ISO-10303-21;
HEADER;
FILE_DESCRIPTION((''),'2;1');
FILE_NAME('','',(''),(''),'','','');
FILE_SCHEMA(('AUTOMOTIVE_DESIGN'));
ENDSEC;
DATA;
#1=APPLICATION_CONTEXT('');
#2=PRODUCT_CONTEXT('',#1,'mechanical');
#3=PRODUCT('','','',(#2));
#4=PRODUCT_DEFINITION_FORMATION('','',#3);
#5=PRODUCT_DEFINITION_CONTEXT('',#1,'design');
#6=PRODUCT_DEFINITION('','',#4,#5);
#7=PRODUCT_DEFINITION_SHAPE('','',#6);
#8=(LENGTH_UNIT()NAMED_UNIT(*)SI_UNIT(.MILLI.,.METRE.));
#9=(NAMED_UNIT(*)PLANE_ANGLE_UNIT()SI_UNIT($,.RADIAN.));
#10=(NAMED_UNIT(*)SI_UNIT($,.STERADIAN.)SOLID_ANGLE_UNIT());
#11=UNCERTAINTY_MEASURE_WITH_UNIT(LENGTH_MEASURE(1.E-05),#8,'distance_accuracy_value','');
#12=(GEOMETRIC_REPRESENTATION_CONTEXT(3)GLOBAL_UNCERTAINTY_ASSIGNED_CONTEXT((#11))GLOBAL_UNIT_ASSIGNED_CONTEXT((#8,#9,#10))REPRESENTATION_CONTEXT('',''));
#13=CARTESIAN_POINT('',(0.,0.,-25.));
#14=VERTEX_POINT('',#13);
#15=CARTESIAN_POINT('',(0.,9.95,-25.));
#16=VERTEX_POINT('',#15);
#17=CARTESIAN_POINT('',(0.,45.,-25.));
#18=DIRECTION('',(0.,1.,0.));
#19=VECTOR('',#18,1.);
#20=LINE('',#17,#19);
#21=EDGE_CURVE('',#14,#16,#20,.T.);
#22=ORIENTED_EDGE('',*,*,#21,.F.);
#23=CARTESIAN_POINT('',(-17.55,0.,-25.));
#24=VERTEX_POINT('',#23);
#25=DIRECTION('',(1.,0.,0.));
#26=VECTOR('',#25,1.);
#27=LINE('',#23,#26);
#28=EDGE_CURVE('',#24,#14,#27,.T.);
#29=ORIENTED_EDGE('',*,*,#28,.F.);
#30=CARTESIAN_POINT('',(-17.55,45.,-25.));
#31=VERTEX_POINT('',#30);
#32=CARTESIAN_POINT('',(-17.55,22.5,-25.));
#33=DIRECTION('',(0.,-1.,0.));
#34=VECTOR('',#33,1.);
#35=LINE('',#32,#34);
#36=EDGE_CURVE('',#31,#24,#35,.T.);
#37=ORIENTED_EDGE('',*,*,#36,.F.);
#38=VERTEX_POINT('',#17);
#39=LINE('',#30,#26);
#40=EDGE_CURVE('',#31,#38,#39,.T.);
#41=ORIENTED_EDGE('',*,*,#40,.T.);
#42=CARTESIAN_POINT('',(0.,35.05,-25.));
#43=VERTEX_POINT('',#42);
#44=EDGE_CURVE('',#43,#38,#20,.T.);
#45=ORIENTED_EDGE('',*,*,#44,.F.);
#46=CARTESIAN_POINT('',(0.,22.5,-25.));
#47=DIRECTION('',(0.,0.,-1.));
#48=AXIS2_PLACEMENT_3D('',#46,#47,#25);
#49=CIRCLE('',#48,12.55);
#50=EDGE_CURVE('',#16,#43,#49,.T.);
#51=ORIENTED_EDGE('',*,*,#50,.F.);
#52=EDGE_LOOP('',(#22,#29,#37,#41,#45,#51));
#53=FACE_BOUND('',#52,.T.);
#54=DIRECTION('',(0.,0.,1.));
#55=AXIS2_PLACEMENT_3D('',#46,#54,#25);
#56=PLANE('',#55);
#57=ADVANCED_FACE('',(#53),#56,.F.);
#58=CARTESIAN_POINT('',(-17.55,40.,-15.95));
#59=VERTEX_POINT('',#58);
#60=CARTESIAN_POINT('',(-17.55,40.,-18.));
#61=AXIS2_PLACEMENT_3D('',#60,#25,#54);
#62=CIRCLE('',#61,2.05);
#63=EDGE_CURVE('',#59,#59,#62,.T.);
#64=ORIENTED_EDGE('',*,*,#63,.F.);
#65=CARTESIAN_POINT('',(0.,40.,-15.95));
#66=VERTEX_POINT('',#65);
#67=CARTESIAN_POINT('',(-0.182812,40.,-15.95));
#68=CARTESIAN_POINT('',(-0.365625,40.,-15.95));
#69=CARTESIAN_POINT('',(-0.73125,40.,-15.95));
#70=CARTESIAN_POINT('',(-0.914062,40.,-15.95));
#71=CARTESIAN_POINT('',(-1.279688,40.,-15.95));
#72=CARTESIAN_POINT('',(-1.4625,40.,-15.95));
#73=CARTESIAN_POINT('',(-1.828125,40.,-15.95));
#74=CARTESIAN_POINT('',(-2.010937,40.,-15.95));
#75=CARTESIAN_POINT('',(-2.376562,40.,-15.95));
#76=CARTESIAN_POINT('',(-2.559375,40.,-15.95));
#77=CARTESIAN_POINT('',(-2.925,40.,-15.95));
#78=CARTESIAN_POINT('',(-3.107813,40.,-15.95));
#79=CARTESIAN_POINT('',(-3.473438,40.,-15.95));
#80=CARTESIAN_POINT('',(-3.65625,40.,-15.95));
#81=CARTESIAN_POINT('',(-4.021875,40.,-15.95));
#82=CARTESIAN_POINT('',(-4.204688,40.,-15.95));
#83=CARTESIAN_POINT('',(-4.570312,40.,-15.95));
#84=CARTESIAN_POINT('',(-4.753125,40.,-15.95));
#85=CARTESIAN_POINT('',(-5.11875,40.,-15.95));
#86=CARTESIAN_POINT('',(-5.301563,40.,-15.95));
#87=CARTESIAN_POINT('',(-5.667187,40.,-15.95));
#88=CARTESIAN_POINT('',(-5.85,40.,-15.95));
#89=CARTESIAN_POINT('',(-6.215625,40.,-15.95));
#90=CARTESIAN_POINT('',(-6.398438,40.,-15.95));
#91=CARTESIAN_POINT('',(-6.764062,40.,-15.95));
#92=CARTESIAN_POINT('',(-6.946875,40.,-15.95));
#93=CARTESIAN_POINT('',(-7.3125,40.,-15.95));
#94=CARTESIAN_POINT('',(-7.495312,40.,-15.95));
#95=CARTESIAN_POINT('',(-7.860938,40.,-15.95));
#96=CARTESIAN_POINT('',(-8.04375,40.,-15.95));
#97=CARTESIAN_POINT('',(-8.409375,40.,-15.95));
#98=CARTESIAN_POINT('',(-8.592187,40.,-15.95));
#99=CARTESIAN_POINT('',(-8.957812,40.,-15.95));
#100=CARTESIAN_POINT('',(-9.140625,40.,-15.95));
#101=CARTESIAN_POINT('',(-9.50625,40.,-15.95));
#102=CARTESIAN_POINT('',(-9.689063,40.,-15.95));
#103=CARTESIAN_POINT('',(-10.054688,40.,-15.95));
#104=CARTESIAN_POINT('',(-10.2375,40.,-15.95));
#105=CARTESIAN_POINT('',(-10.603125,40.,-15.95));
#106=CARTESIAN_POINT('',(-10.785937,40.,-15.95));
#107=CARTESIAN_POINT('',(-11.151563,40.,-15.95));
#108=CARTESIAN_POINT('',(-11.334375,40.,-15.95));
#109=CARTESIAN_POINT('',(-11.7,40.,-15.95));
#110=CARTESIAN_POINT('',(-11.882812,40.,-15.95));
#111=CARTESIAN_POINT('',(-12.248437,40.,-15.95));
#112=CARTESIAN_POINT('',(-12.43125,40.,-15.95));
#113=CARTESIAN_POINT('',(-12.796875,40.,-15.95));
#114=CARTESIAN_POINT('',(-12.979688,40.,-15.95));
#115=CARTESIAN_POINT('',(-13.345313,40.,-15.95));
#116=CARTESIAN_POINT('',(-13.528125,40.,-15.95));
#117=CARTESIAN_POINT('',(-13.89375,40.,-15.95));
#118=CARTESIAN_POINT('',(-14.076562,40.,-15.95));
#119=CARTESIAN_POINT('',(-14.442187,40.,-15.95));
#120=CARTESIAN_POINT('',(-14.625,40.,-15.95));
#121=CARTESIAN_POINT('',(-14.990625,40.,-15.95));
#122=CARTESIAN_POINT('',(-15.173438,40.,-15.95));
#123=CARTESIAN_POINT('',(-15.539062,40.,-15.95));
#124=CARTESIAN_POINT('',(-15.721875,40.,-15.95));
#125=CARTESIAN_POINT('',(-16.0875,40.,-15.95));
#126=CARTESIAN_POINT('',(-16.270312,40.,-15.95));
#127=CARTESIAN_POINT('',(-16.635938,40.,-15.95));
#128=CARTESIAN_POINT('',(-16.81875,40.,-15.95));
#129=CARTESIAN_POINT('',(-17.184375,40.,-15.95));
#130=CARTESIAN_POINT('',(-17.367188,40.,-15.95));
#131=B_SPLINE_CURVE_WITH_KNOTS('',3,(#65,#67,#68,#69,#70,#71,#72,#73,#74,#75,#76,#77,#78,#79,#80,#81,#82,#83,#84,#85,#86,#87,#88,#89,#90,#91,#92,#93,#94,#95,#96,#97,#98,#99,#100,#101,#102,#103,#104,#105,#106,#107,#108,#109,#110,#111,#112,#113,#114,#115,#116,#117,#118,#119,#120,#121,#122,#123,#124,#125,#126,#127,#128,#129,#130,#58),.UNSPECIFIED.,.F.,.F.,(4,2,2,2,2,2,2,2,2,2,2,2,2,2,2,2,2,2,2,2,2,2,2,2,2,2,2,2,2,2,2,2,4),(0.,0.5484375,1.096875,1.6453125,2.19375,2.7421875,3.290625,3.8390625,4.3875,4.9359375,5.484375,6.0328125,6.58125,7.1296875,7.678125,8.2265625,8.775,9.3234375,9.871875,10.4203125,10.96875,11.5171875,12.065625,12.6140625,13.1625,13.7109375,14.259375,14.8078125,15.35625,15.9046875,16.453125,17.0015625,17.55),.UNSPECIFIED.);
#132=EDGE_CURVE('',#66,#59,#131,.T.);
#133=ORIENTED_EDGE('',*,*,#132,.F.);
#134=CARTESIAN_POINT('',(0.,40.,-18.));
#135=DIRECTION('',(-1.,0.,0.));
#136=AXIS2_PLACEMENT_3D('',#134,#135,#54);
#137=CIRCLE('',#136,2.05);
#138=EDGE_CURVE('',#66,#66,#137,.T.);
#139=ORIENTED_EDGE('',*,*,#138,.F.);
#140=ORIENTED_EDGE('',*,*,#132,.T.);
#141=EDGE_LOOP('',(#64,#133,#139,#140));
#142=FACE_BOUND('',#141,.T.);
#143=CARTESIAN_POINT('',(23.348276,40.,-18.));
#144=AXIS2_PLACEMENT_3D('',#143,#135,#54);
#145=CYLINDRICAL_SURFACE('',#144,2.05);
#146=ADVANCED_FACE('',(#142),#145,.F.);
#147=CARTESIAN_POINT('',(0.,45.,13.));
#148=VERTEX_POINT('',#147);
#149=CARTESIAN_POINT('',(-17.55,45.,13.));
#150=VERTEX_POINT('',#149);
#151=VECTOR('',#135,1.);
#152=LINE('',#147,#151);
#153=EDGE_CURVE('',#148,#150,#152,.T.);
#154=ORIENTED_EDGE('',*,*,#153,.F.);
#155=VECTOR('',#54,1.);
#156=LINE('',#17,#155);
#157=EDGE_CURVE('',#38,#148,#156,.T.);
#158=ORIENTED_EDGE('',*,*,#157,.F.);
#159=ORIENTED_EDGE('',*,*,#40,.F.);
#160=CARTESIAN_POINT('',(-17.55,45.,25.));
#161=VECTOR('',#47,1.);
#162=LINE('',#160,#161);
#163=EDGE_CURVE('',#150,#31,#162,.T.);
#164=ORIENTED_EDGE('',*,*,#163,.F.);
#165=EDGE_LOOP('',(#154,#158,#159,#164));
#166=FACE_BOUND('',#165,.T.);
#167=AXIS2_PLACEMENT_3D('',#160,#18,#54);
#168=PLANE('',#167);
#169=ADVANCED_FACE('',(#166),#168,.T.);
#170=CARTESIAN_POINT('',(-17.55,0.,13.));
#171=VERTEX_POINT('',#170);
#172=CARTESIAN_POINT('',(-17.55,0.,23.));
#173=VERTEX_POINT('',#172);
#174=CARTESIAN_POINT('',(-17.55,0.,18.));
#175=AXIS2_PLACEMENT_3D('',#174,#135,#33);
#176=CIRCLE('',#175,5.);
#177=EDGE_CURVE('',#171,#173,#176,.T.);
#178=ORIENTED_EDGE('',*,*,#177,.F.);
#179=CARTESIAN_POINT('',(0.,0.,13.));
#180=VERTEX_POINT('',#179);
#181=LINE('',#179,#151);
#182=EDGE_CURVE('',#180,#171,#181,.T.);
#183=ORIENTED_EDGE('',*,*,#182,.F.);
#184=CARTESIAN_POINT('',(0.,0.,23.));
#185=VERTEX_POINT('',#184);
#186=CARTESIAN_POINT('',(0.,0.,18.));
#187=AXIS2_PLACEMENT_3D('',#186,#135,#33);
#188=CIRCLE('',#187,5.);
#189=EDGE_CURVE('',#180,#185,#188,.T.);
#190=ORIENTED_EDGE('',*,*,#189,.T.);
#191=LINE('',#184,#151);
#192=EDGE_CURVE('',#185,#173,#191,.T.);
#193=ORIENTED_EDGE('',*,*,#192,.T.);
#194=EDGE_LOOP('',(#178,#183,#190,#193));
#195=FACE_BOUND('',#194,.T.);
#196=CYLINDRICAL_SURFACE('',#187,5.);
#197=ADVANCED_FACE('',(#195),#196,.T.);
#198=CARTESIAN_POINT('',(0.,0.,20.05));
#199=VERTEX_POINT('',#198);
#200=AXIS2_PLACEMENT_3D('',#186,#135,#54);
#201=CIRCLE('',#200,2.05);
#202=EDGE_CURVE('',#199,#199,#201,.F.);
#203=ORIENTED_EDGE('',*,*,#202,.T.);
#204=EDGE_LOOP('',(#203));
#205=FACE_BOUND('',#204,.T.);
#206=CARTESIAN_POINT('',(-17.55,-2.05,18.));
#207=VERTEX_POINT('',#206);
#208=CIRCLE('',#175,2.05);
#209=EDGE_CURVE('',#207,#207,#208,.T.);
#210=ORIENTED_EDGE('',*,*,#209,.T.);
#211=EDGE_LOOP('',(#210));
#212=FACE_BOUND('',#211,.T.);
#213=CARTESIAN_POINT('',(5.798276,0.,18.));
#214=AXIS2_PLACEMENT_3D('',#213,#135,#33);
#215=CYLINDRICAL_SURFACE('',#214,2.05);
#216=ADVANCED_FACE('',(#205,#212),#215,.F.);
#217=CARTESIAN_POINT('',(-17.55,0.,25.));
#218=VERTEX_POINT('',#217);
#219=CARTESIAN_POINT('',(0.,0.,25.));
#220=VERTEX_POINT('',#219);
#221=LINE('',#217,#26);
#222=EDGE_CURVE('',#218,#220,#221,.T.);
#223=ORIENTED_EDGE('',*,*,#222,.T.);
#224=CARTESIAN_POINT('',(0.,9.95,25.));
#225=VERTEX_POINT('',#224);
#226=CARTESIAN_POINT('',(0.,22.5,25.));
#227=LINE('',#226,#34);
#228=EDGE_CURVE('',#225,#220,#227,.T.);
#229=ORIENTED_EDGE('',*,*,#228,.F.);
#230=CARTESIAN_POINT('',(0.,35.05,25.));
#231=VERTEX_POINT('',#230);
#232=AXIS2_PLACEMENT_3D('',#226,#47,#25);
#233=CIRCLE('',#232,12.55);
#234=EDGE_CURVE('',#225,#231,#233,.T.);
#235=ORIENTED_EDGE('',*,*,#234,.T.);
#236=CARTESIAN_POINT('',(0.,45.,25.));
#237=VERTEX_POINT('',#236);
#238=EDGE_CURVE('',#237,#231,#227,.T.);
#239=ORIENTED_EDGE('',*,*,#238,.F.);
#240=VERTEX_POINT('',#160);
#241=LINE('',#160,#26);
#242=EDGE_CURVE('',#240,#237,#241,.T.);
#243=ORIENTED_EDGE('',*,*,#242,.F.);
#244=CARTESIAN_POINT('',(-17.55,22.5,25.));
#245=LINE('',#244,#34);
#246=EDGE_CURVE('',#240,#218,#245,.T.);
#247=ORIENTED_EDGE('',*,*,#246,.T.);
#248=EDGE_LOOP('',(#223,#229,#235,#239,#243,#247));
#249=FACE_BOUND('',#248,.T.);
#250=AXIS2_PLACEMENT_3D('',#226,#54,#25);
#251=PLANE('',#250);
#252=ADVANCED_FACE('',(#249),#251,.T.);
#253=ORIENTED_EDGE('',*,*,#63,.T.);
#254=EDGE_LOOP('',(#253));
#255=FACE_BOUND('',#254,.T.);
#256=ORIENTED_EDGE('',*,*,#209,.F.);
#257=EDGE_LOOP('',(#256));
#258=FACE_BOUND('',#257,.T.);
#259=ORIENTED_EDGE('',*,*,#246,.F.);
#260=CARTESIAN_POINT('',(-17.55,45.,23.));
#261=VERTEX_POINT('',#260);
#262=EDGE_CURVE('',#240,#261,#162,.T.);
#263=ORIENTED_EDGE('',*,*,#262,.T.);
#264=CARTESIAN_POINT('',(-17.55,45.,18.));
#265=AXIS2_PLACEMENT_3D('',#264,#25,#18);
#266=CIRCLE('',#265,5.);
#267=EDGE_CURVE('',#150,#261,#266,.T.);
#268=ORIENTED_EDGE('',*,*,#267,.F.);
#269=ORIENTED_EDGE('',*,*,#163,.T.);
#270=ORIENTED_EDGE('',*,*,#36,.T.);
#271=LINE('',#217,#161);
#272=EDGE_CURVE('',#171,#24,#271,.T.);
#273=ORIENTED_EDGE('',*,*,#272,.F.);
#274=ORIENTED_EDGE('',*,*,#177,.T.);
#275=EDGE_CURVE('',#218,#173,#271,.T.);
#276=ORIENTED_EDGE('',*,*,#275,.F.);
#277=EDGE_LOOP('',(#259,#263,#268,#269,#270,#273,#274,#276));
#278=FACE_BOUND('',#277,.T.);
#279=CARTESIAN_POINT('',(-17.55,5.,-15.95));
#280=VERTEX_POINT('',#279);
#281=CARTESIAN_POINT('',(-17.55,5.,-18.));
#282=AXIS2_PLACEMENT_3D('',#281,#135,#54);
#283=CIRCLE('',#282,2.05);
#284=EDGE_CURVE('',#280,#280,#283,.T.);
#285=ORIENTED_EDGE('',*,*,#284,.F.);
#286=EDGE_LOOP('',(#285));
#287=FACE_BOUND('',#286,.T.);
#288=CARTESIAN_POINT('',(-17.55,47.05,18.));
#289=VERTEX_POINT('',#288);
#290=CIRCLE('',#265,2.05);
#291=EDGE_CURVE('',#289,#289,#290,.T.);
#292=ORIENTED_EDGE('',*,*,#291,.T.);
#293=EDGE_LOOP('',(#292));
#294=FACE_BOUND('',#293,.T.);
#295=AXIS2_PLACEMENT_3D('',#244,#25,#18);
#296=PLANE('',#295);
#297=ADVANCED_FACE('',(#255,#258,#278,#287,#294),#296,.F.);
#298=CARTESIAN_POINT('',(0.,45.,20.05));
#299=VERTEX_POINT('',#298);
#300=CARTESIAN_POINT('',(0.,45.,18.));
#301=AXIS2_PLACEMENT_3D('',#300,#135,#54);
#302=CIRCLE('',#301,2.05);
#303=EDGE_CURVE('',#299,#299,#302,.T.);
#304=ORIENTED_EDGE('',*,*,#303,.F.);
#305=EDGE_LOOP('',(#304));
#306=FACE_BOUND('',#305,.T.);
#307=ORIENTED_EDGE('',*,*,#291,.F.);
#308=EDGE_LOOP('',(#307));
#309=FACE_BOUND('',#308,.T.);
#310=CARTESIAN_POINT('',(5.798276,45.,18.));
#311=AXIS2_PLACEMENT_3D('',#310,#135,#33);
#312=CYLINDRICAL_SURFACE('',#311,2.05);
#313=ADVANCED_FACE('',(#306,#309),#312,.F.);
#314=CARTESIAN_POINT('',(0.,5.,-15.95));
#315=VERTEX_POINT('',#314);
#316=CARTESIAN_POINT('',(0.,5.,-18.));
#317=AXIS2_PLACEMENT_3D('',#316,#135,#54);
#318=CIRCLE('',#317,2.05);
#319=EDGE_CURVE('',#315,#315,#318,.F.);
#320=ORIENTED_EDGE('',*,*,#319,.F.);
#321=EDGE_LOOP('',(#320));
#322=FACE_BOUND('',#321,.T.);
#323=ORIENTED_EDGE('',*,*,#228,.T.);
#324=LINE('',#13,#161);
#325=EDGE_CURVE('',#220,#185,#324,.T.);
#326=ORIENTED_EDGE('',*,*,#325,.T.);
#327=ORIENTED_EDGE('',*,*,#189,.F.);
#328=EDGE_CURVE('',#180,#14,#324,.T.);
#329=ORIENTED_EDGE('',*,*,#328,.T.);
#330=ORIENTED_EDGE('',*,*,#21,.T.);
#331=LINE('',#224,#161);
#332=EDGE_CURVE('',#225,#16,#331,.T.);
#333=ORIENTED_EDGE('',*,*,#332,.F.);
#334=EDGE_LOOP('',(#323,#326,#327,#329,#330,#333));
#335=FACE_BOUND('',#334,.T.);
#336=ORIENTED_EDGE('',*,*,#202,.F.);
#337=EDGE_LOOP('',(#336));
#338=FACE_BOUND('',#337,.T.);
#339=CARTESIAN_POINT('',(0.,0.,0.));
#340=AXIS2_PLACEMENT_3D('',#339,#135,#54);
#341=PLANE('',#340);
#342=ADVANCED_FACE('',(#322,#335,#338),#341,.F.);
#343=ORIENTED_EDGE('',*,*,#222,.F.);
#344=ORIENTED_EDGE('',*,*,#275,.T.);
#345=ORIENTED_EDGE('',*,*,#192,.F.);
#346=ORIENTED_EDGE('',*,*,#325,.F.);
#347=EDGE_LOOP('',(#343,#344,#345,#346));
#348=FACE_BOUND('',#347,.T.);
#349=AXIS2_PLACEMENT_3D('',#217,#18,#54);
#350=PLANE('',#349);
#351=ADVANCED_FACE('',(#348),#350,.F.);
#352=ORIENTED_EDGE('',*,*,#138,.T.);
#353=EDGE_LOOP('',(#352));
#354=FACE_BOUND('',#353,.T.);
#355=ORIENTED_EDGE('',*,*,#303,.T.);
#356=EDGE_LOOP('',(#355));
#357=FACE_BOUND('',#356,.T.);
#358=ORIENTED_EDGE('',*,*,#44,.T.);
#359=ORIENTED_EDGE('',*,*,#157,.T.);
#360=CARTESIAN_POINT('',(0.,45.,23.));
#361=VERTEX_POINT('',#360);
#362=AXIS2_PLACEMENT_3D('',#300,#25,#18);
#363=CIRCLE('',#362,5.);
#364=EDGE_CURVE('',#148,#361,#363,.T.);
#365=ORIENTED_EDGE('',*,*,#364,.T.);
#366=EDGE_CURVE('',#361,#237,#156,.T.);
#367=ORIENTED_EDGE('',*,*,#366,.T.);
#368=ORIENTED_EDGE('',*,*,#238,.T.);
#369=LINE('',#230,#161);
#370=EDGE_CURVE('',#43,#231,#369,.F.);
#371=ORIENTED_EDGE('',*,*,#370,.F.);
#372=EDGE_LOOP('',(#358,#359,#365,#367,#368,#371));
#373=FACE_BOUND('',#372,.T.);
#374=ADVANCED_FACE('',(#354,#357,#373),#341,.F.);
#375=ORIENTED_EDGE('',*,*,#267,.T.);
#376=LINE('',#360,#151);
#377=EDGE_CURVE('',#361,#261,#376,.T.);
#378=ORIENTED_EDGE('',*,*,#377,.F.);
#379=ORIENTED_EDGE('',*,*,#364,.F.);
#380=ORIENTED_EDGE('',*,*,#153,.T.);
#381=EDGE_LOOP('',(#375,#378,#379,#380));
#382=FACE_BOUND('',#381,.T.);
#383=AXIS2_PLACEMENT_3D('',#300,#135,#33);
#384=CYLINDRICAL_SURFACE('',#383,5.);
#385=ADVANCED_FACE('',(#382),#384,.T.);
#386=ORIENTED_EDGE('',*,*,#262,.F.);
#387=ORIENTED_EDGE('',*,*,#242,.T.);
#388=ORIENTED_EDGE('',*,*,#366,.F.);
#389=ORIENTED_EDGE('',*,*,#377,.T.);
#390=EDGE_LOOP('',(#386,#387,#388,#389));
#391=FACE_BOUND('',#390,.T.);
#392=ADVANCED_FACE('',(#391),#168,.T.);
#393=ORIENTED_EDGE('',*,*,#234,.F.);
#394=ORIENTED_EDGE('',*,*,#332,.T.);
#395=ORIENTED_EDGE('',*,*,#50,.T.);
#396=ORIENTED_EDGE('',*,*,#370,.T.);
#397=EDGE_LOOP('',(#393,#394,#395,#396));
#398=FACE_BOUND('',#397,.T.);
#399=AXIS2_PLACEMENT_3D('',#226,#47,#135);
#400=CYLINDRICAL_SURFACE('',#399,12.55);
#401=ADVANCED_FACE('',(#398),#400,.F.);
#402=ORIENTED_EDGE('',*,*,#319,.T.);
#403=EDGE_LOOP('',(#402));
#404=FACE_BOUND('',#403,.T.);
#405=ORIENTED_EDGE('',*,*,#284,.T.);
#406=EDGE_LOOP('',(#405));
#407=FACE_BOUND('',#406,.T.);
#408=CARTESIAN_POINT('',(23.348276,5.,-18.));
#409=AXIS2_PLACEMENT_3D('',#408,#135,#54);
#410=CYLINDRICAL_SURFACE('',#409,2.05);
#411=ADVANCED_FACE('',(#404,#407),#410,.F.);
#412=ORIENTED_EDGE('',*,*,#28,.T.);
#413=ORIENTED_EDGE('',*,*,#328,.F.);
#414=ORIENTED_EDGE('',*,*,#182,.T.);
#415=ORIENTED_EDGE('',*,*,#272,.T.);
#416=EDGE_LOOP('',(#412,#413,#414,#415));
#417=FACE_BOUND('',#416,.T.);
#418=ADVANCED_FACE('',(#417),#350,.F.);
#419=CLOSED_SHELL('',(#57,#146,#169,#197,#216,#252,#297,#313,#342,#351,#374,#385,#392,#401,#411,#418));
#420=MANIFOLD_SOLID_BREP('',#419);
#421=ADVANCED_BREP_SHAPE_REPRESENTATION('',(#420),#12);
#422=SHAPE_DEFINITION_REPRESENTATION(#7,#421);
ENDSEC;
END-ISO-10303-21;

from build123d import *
from build123d.topology import SkipClean

# Parameters (mm, degrees)
BOSS_EXTRUDE1_DEPTH             = 25
BOSS_EXTRUDE2_REACH             = 65.436
BOSS_EXTRUDE2_DIRECTION_2_DEPTH = 30
SKETCH9_R                       = 2.05
CUT_EXTRUDE3_DEPTH              = 35.1
BOSS_EXTRUDE5_REACH             = 63.632
SKETCH13_R                      = 1.55
CUT_EXTRUDE4_DEPTH              = 88.768186926
SKETCH16_W                      = 63
SKETCH16_H                      = 45
CUT_EXTRUDE5_DEPTH              = 65.271143
BOSS_EXTRUDE6_DEPTH             = 17.55
SKETCH18_R                      = 2.05
CUT_EXTRUDE6_DEPTH              = 17.55


with BuildPart() as part:
    # Sketch1 → Boss-Extrude1 (new, symmetric)
    with BuildSketch(Plane.XY):
        with BuildLine():
            Line((-17.55, 22.5), (-17.55, 0))
            Line((-17.55, 0), (17.55, 0))
            Line((17.55, 0), (17.55, 22.5))
            Line((17.55, 22.5), (12.55, 22.5))
            ThreePointArc((12.55, 22.5), (0, 9.95), (-12.55, 22.5))
            Line((-12.55, 22.5), (-17.55, 22.5))
        make_face()
    boss_extrude1 = extrude(amount=BOSS_EXTRUDE1_DEPTH, both=True)

    # Boss-Extrude2: up to this face of the body (flat: up to its plane)
    boss_extrude2_end = Plane(part.part.faces().sort_by_distance((17.55, 11.25, 0))[0])
    # Sketch5 → Boss-Extrude2 (add, up to the picked face)
    with BuildSketch(Plane(origin=(26.152881057, 0, 15.099372918), x_dir=(0.500000000000001, 0, -0.8660254037844382), z_dir=(0.8660254037844382, 0, 0.500000000000001)), mode=Mode.PRIVATE) as boss_extrude2_sk1:
        with BuildLine():
            Line((-8.725, 22.5), (-3.775, 22.5))
            ThreePointArc((-3.775, 22.5), (8.775, 9.95), (21.325, 22.5))
            Line((21.325, 22.5), (26.275, 22.5))
            ThreePointArc((26.275, 22.5), (8.775, 5), (-8.725, 22.5))
        make_face()
    boss_extrude2_tool1 = split(extrude(boss_extrude2_sk1.sketch, amount=-BOSS_EXTRUDE2_REACH, mode=Mode.PRIVATE), bisect_by=boss_extrude2_end, keep=Keep.BOTH, mode=Mode.PRIVATE)
    boss_extrude2 = boss_extrude2_tool1.solids().sort_by(Axis((23.027881, 22.108688, 20.512032), (-0.8660254037844382, 0, -0.500000000000001)))[0]
    add(boss_extrude2)

    # Sketch5 → Boss-Extrude2 direction 2 (add)
    with BuildSketch(Plane(origin=(26.152881057, 0, 15.099372918), x_dir=(0.500000000000001, 0, -0.8660254037844382), z_dir=(0.8660254037844382, 0, 0.500000000000001))):
        with BuildLine():
            Line((-8.725, 22.5), (-3.775, 22.5))
            ThreePointArc((-3.775, 22.5), (8.775, 9.95), (21.325, 22.5))
            Line((21.325, 22.5), (26.275, 22.5))
            ThreePointArc((26.275, 22.5), (8.775, 5), (-8.725, 22.5))
        make_face()
    boss_extrude2_direction_2 = extrude(amount=BOSS_EXTRUDE2_DIRECTION_2_DEPTH)

    # Sketch9 → Cut-Extrude3 (cut)
    with BuildSketch(Plane.ZY.offset(17.55)):
        with Locations((-18, 5)):
            Circle(SKETCH9_R)
    cut_extrude3 = extrude(amount=-CUT_EXTRUDE3_DEPTH, mode=Mode.SUBTRACT)

    # Boss-Extrude5: up to this face of the body (flat: up to its plane)
    boss_extrude5_end = Plane(part.part.faces().sort_by_distance((17.55, 17.173614571, 0))[0])
    # Sketch12 → Boss-Extrude5 (add, up to the picked face)
    with BuildSketch(Plane(origin=(22.035576211, 0, 12.722245857), x_dir=(0.4999999999999999, 0, -0.8660254037844388), z_dir=(0.8660254037844388, 0, 0.4999999999999999)), mode=Mode.PRIVATE) as boss_extrude5_sk1:
        with BuildLine():
            Line((-3.775, 22.5), (21.325, 22.5))
            ThreePointArc((21.325, 22.5), (8.775, 9.95), (-3.775, 22.5))
        make_face()
    boss_extrude5_tool1 = split(extrude(boss_extrude5_sk1.sketch, amount=-BOSS_EXTRUDE5_REACH, mode=Mode.PRIVATE), bisect_by=boss_extrude5_end, keep=Keep.BOTH, mode=Mode.PRIVATE)
    boss_extrude5 = boss_extrude5_tool1.solids().sort_by(Axis((26.423076, 17.173615, 5.122873), (-0.8660254037844388, 0, -0.4999999999999999)))[0]
    add(boss_extrude5)

    # Mirror1: Boss-Extrude1, Boss-Extrude2, Boss-Extrude2 direction 2, Cut-Extrude3, Boss-Extrude5 across plane
    with SkipClean():  # the faces are left unmerged after this step: merging them gives an invalid solid
        add(boss_extrude1.mirror(Plane(origin=(17.55, 22.5, 25), x_dir=(0, 0, 1), z_dir=(0, -1, 0))))
        add(boss_extrude2.mirror(Plane(origin=(17.55, 22.5, 25), x_dir=(0, 0, 1), z_dir=(0, -1, 0))))
        add(boss_extrude2_direction_2.mirror(Plane(origin=(17.55, 22.5, 25), x_dir=(0, 0, 1), z_dir=(0, -1, 0))))
        add(cut_extrude3.mirror(Plane(origin=(17.55, 22.5, 25), x_dir=(0, 0, 1), z_dir=(0, -1, 0))), mode=Mode.SUBTRACT)
        add(boss_extrude5.mirror(Plane(origin=(17.55, 22.5, 25), x_dir=(0, 0, 1), z_dir=(0, -1, 0))))

    # Sketch13 → Cut-Extrude4 (cut, through all)
    with SkipClean():  # the faces are left unmerged after this step: merging them gives an invalid solid
        with BuildSketch(Plane(origin=(0, 0, 0), x_dir=(1, 0, 0), z_dir=(0, 1, 0))):
            with Locations(Location((43.530762114, -15, 0), (0, 0, 90))):
                Circle(SKETCH13_R)
        extrude(amount=CUT_EXTRUDE4_DEPTH, mode=Mode.SUBTRACT)

    # Sketch16 → Cut-Extrude5 (cut)
    with BuildSketch(Plane(origin=(0, 0, 0), x_dir=(0, 0, -1), z_dir=(1, 0, 0))):
        with Locations((-6.5, 22.5)):
            Rectangle(SKETCH16_W, SKETCH16_H)
    extrude(amount=CUT_EXTRUDE5_DEPTH, mode=Mode.SUBTRACT)

    # Sketch17 → Boss-Extrude6 (add)
    with BuildSketch(Plane.ZY.offset(17.55)):
        with BuildLine():
            Line((13, 0), (23, 0))
            ThreePointArc((23, 0), (18, -5), (13, 0))
        make_face()
    boss_extrude6 = extrude(amount=-BOSS_EXTRUDE6_DEPTH)

    # Sketch18 → Cut-Extrude6 (cut)
    with BuildSketch(Plane.ZY.offset(17.55)):
        with Locations(Location((18, 0, 0), (0, 0, 270))):
            Circle(SKETCH18_R)
    cut_extrude6 = extrude(amount=-CUT_EXTRUDE6_DEPTH, mode=Mode.SUBTRACT)

    # Mirror2: Boss-Extrude6, Cut-Extrude6 across plane
    add(boss_extrude6.mirror(Plane.ZX.offset(22.5)))
    add(cut_extrude6.mirror(Plane.ZX.offset(22.5)), mode=Mode.SUBTRACT)


solid = part.part
